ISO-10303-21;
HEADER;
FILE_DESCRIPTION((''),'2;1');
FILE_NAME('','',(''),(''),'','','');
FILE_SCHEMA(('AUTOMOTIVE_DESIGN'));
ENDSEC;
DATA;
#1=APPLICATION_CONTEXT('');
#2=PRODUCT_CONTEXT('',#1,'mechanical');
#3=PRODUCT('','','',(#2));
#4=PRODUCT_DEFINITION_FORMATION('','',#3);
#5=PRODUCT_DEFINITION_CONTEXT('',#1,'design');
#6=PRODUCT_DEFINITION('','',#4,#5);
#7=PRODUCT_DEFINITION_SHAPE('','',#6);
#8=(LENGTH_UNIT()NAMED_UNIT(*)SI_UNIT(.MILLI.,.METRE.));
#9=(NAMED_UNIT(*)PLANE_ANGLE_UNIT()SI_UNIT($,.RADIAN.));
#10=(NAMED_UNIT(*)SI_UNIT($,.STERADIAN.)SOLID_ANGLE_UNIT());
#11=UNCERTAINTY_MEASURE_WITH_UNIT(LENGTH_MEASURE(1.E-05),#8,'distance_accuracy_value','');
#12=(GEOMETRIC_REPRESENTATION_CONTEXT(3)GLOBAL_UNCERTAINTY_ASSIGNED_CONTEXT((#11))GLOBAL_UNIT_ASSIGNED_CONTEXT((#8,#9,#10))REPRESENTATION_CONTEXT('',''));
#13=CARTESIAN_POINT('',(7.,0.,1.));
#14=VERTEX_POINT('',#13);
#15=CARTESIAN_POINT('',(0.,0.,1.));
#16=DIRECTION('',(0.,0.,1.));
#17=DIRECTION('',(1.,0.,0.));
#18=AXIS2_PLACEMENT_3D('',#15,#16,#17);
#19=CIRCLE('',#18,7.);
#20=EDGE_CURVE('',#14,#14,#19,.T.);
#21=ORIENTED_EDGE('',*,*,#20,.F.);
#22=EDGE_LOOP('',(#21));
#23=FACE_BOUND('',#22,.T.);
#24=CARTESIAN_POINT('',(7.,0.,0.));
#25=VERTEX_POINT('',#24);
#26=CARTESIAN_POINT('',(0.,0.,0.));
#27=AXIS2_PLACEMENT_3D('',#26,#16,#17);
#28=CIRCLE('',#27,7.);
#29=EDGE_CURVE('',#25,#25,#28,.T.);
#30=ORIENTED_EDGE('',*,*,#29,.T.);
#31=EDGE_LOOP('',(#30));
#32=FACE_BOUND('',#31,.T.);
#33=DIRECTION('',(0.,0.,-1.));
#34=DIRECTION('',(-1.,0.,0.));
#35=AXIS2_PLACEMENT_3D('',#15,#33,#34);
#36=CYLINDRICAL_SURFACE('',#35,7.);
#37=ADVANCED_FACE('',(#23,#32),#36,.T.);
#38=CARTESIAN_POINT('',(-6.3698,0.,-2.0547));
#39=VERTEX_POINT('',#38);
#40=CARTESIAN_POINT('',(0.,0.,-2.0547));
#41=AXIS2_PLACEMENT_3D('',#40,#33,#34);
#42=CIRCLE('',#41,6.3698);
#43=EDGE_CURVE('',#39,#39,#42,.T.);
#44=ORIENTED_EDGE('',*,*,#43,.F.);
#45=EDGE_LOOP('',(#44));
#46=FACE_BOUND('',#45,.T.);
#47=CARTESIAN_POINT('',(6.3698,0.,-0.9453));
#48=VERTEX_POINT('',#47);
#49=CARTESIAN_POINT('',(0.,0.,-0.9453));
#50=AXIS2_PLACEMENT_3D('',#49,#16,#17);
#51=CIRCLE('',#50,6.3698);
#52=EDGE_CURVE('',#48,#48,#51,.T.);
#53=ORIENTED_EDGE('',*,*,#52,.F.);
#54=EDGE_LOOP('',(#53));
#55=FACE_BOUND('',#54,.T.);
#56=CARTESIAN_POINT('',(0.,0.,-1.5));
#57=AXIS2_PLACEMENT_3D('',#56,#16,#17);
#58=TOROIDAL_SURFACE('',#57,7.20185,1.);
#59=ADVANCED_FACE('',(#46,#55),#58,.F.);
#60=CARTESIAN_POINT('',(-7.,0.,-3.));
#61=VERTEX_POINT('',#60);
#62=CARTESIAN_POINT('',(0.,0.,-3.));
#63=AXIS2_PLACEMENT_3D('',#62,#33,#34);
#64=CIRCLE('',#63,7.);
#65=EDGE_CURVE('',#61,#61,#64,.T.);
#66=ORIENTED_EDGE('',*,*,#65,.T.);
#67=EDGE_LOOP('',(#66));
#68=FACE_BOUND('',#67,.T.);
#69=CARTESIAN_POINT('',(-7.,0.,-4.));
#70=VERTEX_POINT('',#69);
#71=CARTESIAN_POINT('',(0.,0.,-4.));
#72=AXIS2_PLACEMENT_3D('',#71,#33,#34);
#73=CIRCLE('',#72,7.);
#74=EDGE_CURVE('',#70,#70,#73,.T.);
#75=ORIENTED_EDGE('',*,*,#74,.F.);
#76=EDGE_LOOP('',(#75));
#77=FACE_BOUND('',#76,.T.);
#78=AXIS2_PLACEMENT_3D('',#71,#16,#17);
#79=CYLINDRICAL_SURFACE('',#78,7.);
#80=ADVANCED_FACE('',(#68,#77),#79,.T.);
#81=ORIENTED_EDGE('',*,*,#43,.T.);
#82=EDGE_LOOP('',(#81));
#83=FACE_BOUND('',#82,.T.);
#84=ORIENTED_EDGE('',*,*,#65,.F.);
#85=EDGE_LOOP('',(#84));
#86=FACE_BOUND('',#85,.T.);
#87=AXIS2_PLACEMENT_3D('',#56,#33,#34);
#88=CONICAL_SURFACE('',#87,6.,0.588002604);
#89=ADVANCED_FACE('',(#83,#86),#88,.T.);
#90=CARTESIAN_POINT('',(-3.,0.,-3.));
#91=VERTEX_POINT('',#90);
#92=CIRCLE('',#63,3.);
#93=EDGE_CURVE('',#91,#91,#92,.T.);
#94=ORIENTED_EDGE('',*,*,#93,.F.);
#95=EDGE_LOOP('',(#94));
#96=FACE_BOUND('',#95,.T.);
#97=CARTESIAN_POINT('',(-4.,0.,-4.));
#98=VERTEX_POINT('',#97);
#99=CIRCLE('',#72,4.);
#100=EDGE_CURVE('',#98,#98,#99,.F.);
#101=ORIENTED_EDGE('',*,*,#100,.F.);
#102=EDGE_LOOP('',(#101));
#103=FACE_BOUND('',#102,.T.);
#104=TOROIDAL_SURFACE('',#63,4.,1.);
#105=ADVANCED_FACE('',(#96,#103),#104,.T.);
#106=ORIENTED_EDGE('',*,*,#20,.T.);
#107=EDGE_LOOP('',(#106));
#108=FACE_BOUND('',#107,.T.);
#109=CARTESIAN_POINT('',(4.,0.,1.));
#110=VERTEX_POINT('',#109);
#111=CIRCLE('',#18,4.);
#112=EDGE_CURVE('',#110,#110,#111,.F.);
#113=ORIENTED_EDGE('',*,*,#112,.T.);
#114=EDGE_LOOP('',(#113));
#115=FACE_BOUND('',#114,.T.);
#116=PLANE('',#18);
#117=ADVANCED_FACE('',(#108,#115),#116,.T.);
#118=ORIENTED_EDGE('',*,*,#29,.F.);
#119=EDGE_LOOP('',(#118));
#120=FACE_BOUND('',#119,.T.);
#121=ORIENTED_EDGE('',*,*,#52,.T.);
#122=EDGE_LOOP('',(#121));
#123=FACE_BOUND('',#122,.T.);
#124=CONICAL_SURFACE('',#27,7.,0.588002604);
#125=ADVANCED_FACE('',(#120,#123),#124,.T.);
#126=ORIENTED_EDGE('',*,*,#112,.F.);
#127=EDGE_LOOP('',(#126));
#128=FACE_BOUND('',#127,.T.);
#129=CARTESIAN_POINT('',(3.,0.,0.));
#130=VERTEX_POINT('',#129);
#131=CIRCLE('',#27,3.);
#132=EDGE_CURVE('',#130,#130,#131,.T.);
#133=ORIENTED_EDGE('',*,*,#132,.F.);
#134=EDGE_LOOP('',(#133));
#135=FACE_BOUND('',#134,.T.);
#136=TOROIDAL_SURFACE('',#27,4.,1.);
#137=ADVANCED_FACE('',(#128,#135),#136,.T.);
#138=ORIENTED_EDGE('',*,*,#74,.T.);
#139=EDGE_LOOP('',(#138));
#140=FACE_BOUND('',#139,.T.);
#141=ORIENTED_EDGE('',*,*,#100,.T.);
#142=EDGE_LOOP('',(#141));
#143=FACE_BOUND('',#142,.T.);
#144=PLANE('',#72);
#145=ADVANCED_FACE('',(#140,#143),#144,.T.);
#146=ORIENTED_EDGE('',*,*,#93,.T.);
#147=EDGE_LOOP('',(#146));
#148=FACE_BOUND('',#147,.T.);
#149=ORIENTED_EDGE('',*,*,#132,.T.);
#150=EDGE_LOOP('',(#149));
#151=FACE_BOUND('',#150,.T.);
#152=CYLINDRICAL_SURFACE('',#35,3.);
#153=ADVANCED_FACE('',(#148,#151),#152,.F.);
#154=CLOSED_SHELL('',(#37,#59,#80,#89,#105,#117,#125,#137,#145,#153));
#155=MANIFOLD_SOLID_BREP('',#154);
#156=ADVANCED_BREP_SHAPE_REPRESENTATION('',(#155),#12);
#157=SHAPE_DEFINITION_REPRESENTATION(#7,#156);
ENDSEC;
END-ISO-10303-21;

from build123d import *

# Parameters (mm, degrees)
SKETCH_3_R          = 7
EXTRUDE_1_DEPTH     = 1
EXTRUDE_START       = 1
SKETCH_4_R          = 7
EXTRUDE_2_DEPTH     = 1
SKETCH_5_R          = 3
CUT_EXTRUDE_3_DEPTH = 12.090536506
FILLET_2_R          = 1
FILLET_3_R          = 1


with BuildPart() as part:
    # Эскиз2 → Повернуть1 (revolve)
    with BuildSketch(Plane(origin=(0, 0, 0), x_dir=(1, 0, 0), z_dir=(0, 1, 0))):
        Polygon((7, 0), (0, 0), (0, 3), (7, 3), (6, 1.5), align=None)
    revolve(axis=Axis((0, 0, 0), (0, 0, -1)))

    # Эскиз3 → Вытянуть1 (add)
    with BuildSketch(Plane(origin=(0, 0, -3), x_dir=(-1, 0, 0), z_dir=(0, 0, -1))):
        Circle(SKETCH_3_R)
    extrude(amount=EXTRUDE_1_DEPTH)

    # Эскиз4 → Вытянуть2 (add)
    with BuildSketch(Plane.XY.offset(EXTRUDE_START)):
        with Locations(Location((0, 0, 0), (0, 0, 180))):
            Circle(SKETCH_4_R)
    extrude(amount=-EXTRUDE_2_DEPTH)

    # Эскиз5 → Вытянуть3 (cut, through all)
    with BuildSketch(Plane(origin=(0, 0, -4), x_dir=(-1, 0, 0), z_dir=(0, 0, -1))):
        Circle(SKETCH_5_R)
    extrude(amount=-CUT_EXTRUDE_3_DEPTH, mode=Mode.SUBTRACT)

    # Скругление2
    fillet_2_edges = [part.edges().sort_by_distance(p)[0] for p in [
        (-6, 0, -1.5),
    ]]
    fillet(fillet_2_edges, radius=FILLET_2_R)

    # Скругление3
    fillet_3_edges = [part.edges().sort_by_distance(p)[0] for p in [
        (3, 0, 1),
        (3, 0, -4),
    ]]
    fillet(fillet_3_edges, radius=FILLET_3_R)


solid = part.part
